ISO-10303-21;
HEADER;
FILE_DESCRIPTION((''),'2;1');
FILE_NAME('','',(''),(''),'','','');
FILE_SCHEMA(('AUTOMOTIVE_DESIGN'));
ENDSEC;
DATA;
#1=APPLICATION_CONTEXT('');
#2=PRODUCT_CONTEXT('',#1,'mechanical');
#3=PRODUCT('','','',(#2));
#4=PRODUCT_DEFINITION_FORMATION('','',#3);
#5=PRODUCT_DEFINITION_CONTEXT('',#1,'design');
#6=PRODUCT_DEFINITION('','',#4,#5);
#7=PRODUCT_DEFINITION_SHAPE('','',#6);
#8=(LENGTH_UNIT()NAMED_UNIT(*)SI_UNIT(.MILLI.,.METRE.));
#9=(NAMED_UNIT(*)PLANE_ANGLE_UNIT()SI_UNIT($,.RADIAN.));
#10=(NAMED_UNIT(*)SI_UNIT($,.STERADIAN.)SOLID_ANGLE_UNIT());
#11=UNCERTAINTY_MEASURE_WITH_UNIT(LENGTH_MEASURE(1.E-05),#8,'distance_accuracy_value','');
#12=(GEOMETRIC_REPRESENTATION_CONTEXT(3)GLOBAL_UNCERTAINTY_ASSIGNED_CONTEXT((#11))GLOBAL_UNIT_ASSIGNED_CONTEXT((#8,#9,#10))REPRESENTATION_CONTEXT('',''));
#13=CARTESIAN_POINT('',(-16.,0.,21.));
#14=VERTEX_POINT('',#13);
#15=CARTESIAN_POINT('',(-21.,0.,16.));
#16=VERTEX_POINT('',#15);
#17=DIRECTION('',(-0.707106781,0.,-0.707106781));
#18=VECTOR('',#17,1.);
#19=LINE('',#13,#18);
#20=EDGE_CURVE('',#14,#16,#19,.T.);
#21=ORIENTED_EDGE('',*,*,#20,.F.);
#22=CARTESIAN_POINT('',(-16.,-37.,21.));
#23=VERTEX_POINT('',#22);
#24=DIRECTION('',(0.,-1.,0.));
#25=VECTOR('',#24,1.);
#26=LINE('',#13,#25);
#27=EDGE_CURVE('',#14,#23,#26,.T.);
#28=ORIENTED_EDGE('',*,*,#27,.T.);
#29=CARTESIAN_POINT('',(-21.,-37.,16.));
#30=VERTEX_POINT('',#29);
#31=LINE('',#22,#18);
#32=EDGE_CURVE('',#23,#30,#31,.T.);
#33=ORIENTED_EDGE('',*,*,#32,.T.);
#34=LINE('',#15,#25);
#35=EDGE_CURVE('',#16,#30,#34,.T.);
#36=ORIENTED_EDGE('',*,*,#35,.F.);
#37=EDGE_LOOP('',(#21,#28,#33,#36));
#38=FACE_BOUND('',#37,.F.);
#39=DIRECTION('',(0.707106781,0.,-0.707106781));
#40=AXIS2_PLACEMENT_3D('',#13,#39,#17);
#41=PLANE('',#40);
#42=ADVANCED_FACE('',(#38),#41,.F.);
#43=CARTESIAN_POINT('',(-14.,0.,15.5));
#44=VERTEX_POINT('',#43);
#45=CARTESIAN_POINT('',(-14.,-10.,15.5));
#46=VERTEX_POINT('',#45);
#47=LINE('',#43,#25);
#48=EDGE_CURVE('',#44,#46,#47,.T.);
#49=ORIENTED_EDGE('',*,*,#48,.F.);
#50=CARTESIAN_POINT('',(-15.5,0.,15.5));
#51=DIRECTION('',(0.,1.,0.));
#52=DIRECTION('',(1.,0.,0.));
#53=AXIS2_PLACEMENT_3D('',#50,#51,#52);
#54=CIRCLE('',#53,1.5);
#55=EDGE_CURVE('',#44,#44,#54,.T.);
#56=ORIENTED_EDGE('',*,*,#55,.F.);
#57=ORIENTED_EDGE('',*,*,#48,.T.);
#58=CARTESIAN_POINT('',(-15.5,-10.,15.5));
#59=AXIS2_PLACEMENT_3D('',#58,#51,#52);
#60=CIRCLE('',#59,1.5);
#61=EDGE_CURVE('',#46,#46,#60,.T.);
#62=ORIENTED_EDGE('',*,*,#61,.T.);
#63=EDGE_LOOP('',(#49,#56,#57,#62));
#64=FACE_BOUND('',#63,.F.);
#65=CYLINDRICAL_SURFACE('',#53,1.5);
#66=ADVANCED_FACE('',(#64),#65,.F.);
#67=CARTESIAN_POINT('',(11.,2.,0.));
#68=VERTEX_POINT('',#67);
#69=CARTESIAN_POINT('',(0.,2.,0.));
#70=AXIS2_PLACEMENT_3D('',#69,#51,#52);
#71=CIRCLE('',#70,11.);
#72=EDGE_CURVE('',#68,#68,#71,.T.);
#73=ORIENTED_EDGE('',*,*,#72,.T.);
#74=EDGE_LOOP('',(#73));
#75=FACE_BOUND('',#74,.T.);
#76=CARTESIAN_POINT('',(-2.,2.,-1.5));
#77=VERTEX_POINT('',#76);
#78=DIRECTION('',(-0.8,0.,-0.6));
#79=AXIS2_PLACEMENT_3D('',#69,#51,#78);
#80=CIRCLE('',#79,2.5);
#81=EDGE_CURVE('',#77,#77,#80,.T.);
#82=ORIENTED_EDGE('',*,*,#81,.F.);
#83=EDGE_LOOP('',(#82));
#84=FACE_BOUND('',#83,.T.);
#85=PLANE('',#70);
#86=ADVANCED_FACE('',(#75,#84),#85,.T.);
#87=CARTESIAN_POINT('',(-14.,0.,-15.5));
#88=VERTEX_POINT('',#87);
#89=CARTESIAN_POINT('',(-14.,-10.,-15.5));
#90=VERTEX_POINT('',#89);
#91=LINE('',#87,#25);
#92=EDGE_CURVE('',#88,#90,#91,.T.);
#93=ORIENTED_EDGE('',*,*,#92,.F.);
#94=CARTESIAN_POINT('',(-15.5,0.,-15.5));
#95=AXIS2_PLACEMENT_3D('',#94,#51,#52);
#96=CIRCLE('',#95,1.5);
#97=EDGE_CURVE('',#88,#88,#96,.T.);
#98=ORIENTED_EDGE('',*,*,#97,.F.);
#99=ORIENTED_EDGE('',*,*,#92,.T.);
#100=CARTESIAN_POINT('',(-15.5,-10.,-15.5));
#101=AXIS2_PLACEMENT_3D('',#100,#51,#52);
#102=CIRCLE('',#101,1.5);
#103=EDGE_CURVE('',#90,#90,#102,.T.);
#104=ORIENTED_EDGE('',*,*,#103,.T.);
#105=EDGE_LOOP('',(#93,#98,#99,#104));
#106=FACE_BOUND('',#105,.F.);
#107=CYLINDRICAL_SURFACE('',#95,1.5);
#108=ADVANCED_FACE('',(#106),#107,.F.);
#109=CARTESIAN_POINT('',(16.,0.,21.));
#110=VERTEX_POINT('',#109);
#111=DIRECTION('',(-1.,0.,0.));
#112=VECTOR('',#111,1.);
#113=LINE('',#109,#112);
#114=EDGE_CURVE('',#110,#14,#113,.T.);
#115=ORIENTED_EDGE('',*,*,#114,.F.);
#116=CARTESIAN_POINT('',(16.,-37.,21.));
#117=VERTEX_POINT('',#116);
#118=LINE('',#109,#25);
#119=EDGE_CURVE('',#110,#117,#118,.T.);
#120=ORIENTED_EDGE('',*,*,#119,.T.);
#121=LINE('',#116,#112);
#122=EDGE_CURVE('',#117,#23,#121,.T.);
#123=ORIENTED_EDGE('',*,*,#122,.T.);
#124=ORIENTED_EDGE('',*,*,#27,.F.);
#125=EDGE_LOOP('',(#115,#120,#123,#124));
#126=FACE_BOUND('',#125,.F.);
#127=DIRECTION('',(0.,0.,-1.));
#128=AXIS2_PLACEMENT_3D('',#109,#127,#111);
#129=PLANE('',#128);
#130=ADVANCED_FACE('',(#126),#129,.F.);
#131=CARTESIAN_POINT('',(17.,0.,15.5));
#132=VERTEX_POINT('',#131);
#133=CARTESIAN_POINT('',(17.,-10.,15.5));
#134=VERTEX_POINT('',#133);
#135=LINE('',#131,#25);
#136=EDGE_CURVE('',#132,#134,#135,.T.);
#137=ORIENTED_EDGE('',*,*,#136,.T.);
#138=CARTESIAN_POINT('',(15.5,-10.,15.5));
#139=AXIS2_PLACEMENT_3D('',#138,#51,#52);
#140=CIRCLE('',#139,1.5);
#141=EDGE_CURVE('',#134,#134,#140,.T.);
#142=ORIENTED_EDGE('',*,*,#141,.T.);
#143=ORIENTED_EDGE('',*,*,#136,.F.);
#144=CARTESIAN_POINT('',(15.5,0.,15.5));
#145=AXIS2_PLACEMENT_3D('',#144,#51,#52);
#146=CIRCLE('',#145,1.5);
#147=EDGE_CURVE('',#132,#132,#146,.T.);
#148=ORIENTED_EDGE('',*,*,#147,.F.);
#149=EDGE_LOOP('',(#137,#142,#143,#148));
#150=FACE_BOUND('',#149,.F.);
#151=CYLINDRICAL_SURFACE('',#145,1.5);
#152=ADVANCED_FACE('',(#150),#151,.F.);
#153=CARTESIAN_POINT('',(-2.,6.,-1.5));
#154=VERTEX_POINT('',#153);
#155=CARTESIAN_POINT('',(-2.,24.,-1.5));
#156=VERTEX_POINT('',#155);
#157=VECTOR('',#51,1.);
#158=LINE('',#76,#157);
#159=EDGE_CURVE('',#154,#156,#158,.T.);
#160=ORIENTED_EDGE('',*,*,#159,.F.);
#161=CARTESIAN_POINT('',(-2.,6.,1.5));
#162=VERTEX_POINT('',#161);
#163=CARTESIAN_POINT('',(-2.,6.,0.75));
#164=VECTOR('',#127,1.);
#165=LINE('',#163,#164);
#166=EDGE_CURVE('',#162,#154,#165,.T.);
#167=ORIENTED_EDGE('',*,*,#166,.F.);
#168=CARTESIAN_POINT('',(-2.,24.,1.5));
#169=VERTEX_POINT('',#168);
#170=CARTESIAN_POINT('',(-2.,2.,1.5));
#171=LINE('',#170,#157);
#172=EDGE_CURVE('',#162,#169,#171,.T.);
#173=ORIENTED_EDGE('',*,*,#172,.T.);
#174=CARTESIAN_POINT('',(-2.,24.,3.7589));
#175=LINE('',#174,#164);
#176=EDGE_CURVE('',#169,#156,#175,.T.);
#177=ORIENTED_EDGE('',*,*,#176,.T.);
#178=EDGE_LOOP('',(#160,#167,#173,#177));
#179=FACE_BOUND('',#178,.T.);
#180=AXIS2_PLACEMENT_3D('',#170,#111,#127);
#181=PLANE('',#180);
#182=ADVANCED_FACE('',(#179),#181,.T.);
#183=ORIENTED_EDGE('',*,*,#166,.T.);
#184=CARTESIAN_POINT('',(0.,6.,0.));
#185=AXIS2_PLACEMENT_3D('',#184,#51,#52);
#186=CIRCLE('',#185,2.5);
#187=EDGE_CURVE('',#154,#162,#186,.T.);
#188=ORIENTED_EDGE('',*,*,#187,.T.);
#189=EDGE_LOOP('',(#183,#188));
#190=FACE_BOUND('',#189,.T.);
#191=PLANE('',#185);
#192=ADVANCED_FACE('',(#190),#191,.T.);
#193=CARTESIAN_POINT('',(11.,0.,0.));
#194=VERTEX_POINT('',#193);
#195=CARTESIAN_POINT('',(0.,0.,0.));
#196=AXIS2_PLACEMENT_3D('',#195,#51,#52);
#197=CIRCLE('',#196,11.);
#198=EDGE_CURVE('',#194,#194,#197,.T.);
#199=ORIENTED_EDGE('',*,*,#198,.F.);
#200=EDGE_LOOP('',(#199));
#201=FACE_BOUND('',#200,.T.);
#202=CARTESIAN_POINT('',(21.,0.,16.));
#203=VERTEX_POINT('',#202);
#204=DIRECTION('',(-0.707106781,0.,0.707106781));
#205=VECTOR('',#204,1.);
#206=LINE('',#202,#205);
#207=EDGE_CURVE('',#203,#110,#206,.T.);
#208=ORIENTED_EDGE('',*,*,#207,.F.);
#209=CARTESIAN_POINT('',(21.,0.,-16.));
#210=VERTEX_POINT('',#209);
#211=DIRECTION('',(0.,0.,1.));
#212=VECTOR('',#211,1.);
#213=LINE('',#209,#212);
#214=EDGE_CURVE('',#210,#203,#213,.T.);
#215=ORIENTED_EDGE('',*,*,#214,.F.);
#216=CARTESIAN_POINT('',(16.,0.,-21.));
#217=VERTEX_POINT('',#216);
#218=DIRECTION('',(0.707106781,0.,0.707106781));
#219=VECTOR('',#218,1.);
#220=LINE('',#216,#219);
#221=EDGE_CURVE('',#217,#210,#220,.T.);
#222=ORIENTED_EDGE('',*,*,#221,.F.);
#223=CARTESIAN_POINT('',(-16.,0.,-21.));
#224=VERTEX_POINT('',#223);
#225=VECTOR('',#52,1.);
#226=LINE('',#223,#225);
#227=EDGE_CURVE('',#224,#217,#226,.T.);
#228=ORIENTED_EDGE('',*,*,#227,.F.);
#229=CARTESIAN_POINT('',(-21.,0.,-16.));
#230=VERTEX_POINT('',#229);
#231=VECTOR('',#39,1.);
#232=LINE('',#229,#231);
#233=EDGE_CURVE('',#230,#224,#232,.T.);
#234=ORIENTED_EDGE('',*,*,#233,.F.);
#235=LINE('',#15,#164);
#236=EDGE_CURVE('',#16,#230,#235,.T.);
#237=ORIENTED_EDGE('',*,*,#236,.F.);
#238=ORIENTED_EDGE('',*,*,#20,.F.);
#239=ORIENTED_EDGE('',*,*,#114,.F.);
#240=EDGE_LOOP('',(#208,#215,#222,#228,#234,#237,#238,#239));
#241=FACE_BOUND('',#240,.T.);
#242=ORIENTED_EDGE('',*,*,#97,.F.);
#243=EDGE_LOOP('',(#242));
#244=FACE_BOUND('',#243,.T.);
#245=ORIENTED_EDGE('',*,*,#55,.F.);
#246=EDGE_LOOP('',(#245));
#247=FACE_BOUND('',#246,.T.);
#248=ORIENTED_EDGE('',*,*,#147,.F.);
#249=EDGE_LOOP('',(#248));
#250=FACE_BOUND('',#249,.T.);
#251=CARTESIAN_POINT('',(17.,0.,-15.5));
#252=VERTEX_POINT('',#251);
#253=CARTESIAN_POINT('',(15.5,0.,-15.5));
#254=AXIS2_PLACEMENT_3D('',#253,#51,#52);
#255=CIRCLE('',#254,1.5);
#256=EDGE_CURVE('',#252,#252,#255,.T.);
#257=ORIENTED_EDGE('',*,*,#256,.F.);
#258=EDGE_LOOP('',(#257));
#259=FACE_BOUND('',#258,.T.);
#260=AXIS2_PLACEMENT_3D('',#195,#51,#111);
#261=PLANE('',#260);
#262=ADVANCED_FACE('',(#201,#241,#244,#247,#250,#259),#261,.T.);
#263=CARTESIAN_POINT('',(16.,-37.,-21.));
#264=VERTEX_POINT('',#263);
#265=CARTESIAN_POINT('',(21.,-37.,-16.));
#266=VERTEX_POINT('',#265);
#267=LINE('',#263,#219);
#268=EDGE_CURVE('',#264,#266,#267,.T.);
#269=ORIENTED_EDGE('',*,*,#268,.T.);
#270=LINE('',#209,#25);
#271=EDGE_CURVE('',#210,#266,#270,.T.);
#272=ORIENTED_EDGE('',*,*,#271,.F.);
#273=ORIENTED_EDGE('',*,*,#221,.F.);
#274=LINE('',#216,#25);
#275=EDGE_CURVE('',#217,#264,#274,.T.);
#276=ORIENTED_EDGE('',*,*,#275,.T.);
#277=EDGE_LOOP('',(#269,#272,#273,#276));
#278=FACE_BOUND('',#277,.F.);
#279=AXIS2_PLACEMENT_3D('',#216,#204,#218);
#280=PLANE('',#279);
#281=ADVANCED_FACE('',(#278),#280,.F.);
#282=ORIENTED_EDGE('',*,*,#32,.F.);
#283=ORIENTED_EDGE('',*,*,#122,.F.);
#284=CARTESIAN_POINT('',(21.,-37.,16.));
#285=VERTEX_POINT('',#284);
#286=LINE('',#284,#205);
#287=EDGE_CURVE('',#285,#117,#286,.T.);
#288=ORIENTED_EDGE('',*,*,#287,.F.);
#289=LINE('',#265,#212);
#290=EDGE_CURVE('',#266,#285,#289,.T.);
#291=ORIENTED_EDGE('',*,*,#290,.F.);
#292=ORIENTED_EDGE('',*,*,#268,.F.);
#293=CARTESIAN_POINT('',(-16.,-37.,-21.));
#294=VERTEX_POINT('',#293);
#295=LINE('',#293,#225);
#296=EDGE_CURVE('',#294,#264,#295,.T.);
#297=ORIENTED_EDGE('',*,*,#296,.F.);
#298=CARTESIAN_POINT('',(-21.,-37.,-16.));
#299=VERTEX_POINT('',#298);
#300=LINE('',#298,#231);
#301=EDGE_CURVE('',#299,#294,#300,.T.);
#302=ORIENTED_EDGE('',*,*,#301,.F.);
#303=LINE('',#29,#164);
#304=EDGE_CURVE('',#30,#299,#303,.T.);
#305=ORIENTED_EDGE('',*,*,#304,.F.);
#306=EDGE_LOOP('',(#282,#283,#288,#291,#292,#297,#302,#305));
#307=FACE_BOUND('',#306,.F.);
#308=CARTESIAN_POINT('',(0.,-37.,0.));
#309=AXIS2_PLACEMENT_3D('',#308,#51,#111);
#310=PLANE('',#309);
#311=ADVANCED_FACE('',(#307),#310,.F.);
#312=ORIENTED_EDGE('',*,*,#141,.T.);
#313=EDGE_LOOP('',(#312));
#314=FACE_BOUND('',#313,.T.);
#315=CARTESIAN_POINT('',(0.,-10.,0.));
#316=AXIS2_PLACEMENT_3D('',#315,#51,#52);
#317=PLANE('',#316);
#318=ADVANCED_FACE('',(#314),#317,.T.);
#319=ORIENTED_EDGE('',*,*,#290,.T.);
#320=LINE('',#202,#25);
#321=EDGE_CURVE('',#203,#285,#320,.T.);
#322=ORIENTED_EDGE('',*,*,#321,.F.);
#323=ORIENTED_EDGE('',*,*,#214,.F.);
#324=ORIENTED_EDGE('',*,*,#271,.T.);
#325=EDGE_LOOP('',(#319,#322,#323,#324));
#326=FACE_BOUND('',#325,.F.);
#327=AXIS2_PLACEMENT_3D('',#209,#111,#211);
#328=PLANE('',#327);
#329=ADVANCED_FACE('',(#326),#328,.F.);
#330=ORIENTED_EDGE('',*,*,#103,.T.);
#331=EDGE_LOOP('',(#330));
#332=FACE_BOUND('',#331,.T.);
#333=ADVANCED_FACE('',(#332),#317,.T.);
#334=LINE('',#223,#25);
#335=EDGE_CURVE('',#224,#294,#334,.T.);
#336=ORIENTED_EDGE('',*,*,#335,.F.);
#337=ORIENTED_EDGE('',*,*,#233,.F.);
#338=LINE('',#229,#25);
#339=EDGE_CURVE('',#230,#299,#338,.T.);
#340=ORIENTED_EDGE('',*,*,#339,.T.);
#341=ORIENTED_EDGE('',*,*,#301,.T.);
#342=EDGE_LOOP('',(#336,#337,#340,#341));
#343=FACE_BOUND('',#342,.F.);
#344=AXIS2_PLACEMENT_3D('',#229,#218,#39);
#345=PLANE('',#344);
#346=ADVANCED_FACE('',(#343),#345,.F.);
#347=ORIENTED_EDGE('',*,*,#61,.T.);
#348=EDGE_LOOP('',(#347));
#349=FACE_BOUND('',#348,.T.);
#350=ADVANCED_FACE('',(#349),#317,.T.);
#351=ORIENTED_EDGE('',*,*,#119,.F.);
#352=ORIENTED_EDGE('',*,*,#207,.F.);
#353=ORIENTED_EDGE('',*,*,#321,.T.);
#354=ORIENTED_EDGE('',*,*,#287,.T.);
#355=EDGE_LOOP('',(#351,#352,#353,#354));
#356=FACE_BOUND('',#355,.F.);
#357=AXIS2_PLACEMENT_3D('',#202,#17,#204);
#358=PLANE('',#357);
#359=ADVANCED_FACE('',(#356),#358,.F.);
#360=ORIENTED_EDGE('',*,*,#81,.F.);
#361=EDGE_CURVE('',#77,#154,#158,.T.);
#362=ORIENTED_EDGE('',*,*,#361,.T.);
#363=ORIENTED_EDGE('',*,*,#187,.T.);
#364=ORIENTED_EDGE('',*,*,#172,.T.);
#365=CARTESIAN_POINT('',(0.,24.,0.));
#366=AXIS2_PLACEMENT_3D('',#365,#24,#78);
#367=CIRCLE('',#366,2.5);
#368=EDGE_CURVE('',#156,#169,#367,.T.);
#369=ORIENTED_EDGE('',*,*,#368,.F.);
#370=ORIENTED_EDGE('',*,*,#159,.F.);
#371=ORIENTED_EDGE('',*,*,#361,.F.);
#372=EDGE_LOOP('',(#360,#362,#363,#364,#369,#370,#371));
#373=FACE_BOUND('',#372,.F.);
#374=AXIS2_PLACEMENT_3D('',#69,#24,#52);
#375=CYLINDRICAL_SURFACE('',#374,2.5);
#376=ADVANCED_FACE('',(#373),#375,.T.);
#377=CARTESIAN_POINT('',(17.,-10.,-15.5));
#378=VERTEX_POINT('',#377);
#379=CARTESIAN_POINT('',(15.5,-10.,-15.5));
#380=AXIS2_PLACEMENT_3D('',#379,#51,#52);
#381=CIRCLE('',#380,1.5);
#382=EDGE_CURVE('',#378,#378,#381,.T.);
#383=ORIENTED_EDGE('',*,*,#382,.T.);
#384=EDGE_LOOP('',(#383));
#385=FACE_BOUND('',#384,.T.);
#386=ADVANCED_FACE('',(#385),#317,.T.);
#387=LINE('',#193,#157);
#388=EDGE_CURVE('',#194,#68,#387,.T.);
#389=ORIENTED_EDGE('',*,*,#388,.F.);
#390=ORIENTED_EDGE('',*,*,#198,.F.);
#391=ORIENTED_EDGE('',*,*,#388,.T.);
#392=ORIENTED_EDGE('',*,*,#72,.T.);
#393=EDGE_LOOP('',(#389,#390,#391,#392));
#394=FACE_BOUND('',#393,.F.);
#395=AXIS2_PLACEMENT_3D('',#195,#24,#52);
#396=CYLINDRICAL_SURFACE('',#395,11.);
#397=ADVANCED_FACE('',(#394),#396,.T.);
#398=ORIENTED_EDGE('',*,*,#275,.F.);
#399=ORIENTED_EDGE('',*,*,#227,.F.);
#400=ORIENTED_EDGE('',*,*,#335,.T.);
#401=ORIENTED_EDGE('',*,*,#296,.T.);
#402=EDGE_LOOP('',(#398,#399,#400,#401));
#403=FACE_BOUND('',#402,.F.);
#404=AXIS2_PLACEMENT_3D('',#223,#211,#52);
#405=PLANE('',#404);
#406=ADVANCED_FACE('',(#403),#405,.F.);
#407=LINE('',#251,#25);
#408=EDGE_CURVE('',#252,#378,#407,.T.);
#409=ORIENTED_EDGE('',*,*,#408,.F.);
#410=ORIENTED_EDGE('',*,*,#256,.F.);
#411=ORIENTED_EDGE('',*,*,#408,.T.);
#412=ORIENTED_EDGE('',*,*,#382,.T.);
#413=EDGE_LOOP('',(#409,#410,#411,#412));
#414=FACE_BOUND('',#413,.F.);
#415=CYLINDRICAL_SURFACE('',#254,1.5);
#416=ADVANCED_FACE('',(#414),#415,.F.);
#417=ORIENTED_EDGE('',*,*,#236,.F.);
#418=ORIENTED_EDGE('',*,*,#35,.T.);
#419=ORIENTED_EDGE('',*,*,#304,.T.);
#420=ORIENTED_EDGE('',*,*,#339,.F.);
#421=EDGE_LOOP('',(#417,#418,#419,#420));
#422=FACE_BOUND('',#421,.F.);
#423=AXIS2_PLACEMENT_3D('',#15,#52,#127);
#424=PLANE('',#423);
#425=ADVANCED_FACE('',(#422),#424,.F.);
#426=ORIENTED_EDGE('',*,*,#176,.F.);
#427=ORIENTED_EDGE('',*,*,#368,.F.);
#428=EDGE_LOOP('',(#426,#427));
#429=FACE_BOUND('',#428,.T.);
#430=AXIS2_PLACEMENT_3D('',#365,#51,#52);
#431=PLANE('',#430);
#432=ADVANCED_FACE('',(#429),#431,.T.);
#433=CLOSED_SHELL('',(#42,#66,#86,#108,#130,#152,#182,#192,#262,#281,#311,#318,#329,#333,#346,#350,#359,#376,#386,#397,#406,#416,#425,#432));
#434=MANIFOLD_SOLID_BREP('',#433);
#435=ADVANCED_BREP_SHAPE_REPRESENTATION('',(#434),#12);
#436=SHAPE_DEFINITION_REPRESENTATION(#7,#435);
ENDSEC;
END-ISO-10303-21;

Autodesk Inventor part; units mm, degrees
ref_plane "YZ Plane" through (0, 0, 0) normal (1, 0, 0) x (0, 1, 0)
ref_plane "XZ Plane" through (0, 0, 0) normal (0, 1, 0) x (-1, 0, 0)
ref_plane "XY Plane" through (0, 0, 0) normal (0, 0, 1) x (1, 0, 0)
sketch "스케치1" plane through (0, 0, 0) normal (0, 1, 0) x (-1, 0, 0)
  line L0 (-16, 21) -> (16, 21)
  line L1 (21, 16) -> (21, -16)
  line L2 (16, -21) -> (-16, -21)
  line L3 (-21, -16) -> (-21, 16)
  line L4 (-21, 21) -> (21, -21) construction
  line L5 (21, 21) -> (-21, -21) construction
  line L6 (16, 21) -> (21, 16)
  line L7 (21, -16) -> (16, -21)
  line L8 (-16, -21) -> (-21, -16)
  line L9 (-21, 16) -> (-16, 21)
  point P0 (0, 0)
  dimension "d0" = 42
  dimension "d1" = 42
  dimension "d2" = 5
  dimension "d3" = 5
  dimension "d4" = 5
  dimension "d5" = 5
  dimension "d6" = 5
  dimension "d7" = 5
  dimension "d8" = 5
  dimension "d9" = 5
extrude "돌출1" add sketch "스케치1" against normal blind 37
sketch "스케치2" plane through (0, 0, 0) normal (0, 1, 0) x (1, 0, 0)
  circle A0 centre (-15.5, -15.5) radius 1.5
  line L0 (0, 0) -> (-5.5004, 0) construction
  line L1 (0, 0) -> (0, 5.7427) construction
  circle A1 centre (-15.5, 15.5) radius 1.5
  circle A2 centre (15.5, -15.5) radius 1.5
  circle A3 centre (15.5, 15.5) radius 1.5
  dimension "d12" = 3
  dimension "d13" = 31
  dimension "d14" = 31
extrude "돌출2" cut sketch "스케치2" against normal blind 10
sketch "스케치3" plane through (0, 0, 0) normal (0, 1, 0) x (1, 0, 0)
  circle A0 centre (0, 0) radius 11
  dimension "d17" = 22
extrude "돌출3" add sketch "스케치3" along normal blind 2
sketch "스케치4" plane through (0, 2, 0) normal (0, 1, 0) x (1, 0, 0)
  circle A0 centre (0, 0) radius 2.5
  line L0 (-2, -3.7589) -> (-2, 6.4181)
  point P0 (-2, 1.5)
  point P1 (-2, -1.5)
  dimension "d20" = 5
  dimension "d23" = 2
extrude "돌출4" add sketch "스케치4" along normal blind 22 contours A0 L0 picked at (-0.5259, 0.206)
sketch "스케치5" plane through (0, 2, 0) normal (0, 1, 0) x (1, 0, 0)
  arc A0 (-2, -1.5) -> (-2, 1.5) centre (0, 0) ccw projected
  circle A1 centre (0, 0) radius 2.5
extrude "돌출5" add sketch "스케치5" along normal blind 4
equation "\"d3\" = d2"
equation "\"d4\" = d2"
equation "\"d5\" = d4"
equation "\"d6\" = d2"
equation "\"d7\" = d6"
equation "\"d8\" = d2"
equation "\"d9\" = d8"
properties part number "스텝모터 4401"
